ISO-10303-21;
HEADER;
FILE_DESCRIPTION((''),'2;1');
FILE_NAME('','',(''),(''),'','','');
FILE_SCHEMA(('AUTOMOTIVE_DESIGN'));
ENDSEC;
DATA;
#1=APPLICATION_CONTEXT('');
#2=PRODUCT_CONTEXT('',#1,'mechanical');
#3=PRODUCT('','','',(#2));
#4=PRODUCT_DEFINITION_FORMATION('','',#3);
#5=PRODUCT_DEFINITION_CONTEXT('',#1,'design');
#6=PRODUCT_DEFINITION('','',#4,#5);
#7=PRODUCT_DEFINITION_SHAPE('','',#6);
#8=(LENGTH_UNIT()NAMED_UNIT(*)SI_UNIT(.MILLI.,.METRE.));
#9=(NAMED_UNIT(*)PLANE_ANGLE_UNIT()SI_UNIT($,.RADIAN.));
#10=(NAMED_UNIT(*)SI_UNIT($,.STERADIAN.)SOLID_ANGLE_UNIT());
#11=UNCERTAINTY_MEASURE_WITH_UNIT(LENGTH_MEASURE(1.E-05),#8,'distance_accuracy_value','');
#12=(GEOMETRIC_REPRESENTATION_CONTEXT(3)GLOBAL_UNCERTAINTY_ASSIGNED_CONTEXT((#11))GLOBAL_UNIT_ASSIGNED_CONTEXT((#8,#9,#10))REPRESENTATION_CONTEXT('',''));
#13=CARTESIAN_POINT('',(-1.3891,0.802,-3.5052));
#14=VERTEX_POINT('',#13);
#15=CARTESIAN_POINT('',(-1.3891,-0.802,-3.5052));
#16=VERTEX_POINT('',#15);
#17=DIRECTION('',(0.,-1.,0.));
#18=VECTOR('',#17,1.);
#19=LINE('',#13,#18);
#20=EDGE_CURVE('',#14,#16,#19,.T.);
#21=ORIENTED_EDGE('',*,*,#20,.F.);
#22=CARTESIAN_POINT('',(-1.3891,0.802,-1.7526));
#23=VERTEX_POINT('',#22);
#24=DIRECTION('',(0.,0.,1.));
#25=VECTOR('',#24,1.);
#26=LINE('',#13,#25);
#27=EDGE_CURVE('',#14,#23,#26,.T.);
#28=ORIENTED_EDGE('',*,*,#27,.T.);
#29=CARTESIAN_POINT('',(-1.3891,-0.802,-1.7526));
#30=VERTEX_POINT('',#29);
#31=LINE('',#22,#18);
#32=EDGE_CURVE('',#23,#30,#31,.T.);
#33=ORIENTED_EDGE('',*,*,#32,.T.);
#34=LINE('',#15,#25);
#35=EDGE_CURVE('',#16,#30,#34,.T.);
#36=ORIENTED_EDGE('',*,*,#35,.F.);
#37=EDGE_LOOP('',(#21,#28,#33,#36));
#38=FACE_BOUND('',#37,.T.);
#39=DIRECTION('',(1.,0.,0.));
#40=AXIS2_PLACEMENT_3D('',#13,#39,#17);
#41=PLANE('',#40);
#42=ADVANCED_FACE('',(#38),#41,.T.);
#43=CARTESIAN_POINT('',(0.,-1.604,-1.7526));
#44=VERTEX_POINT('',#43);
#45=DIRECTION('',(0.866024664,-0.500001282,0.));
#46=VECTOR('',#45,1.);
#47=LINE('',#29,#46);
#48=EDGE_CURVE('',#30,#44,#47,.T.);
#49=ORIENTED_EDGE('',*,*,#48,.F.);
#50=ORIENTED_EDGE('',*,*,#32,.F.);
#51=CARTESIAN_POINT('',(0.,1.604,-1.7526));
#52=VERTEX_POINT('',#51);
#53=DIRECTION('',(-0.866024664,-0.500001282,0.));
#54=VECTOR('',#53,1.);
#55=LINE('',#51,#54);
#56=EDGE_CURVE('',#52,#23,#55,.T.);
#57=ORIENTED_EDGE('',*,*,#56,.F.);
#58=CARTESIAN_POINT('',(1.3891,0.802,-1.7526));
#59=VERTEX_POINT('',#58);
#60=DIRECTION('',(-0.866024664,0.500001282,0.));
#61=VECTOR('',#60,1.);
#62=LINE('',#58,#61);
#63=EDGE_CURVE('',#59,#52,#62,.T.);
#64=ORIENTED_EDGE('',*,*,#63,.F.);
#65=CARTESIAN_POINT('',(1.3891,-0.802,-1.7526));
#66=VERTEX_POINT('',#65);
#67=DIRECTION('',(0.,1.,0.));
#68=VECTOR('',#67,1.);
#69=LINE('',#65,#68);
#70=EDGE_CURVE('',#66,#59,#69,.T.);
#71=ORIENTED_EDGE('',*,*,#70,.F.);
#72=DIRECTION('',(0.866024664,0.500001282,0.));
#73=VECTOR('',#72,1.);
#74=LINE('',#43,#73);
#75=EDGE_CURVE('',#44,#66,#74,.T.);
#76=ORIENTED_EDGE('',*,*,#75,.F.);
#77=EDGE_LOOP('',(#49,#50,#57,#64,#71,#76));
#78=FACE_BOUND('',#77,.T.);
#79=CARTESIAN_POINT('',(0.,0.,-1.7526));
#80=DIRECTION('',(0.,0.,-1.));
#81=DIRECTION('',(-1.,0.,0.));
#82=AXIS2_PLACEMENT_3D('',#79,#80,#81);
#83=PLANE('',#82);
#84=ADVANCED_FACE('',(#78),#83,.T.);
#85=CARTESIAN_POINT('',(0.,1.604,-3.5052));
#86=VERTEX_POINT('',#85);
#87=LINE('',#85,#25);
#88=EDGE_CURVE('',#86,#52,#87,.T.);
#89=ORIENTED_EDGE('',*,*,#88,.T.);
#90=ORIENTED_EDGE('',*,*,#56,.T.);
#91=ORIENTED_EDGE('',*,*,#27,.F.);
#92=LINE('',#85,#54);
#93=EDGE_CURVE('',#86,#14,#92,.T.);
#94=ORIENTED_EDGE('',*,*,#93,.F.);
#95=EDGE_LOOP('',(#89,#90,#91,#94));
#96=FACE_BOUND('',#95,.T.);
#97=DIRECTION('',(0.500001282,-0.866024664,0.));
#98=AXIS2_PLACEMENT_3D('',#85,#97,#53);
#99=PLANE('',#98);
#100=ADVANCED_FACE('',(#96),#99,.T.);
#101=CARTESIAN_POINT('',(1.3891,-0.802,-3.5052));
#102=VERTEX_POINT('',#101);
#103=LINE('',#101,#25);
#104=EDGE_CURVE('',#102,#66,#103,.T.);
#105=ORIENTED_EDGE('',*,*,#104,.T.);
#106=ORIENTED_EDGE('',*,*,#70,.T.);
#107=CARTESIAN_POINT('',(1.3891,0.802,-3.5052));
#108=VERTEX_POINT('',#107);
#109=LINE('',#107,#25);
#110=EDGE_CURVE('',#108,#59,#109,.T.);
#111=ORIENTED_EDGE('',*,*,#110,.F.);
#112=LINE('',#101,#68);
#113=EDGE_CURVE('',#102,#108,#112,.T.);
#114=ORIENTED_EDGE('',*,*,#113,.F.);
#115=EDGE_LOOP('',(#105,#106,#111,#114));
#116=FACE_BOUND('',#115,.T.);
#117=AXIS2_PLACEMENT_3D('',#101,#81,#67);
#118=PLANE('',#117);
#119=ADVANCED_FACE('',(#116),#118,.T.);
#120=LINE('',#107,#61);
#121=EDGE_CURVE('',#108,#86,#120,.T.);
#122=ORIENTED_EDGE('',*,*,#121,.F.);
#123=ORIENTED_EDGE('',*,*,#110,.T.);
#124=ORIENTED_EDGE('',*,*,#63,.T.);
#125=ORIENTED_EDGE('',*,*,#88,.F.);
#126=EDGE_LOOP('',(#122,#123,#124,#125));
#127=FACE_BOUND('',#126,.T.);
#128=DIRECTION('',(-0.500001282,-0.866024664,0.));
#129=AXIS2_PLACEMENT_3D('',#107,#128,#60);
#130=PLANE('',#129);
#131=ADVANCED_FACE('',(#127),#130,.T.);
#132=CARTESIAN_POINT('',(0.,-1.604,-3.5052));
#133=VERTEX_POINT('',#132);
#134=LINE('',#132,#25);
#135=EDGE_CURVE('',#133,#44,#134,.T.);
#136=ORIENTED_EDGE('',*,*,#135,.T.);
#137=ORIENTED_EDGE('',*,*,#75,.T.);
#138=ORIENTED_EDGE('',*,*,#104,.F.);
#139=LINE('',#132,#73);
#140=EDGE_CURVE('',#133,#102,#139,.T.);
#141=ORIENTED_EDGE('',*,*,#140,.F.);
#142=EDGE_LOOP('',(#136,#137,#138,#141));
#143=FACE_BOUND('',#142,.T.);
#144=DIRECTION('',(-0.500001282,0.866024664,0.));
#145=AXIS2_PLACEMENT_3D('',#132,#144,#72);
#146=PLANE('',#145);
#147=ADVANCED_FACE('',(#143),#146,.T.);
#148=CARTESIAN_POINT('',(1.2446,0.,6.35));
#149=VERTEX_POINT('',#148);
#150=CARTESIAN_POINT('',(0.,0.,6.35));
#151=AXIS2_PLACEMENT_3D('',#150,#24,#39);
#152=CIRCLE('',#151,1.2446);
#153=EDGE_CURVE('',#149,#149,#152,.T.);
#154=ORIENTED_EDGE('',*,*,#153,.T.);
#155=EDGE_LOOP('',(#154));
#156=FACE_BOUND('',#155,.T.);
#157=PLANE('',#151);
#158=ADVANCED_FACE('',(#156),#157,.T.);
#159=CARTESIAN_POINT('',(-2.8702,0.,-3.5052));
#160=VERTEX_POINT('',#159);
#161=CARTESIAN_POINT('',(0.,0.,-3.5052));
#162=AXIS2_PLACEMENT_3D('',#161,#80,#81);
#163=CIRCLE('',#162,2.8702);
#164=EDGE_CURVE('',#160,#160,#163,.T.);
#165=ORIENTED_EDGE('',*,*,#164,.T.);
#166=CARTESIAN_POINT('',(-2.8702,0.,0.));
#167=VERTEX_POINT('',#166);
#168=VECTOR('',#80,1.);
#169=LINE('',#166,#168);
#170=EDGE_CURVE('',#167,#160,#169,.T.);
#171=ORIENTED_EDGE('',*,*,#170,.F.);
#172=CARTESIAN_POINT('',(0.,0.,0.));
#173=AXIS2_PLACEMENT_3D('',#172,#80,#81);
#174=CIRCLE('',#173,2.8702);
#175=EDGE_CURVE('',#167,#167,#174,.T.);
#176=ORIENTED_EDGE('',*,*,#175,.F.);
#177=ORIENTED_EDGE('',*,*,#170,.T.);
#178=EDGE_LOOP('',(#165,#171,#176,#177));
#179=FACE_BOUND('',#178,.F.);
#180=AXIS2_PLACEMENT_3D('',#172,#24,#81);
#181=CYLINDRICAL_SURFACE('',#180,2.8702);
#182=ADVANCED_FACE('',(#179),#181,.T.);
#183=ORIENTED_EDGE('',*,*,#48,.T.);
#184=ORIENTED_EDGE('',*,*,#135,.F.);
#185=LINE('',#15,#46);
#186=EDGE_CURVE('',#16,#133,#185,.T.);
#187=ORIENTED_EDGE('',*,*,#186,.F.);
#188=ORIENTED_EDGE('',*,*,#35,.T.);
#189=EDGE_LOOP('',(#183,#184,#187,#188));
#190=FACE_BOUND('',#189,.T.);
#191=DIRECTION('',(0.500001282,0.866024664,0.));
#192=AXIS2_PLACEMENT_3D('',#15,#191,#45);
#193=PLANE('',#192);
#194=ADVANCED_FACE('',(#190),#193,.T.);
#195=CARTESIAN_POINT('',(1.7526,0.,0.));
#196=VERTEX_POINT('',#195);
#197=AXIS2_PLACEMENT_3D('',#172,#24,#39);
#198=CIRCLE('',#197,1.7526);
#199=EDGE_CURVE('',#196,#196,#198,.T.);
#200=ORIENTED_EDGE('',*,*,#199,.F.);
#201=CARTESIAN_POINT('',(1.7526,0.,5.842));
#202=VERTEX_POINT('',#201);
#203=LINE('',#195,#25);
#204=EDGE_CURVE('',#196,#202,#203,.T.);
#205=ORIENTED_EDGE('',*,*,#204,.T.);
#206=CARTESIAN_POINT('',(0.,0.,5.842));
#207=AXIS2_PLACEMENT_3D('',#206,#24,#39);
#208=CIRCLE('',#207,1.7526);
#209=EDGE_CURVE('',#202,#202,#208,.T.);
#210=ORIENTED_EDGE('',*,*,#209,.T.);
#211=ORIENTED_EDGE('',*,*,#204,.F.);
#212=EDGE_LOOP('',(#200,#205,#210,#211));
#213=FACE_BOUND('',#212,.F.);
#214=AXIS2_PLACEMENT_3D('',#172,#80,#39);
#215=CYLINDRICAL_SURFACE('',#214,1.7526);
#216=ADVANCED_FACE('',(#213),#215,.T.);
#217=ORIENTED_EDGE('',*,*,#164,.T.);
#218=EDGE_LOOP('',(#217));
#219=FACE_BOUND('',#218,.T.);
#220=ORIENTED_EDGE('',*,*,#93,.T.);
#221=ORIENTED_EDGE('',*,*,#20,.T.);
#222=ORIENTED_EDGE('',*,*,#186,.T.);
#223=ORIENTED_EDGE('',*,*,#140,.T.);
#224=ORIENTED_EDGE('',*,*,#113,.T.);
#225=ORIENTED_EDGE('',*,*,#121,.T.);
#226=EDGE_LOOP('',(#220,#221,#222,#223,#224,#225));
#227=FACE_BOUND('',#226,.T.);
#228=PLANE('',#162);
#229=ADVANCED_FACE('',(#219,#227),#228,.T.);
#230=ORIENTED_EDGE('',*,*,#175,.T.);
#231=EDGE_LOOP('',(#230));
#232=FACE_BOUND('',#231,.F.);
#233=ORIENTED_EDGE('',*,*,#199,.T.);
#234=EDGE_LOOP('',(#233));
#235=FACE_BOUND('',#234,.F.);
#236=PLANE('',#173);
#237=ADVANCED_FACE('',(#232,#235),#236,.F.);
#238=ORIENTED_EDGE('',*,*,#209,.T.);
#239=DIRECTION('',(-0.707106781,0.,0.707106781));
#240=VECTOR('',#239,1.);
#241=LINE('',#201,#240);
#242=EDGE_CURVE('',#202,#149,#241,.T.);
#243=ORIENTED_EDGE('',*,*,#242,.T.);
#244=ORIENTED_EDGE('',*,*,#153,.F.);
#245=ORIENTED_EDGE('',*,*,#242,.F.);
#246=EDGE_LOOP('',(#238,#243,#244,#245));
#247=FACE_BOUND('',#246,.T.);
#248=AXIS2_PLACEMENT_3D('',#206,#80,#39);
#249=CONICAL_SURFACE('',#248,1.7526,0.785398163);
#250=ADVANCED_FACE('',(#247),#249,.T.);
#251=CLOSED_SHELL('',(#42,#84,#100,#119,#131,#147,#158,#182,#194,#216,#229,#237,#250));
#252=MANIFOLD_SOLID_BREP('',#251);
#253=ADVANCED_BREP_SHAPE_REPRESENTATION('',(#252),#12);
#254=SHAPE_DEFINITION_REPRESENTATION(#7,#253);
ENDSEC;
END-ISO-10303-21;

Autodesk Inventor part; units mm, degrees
ref_plane "YZ Plane" through (0, 0, 0) normal (1, 0, 0) x (0, 1, 0)
ref_plane "XZ Plane" through (0, 0, 0) normal (0, 1, 0) x (-1, 0, 0)
ref_plane "XY Plane" through (0, 0, 0) normal (0, 0, 1) x (1, 0, 0)
sketch "Sketch1" plane through (0, 0, 0) normal (0, 0, 1) x (1, 0, 0)
  circle A0 centre (0, 0) radius 1.7526
  dimension "d0" = 3.5052
extrude "Extrusion1" add sketch "Sketch1" along normal blind 6.35
sketch "Sketch2" plane through (0, 0, 0) normal (0, 0, -1) x (-1, 0, 0)
  circle A0 centre (0, 0) radius 1.7526 construction
  circle A1 centre (0, 0) radius 2.8702
  dimension "d3" = 5.7404
extrude "Extrusion2" add sketch "Sketch2" along normal blind 3.5052
sketch "Sketch3" plane through (0, 0, -3.5052) normal (0, 0, -1) x (-1, 0, 0)
  circle A0 centre (0, 0) radius 2.8702 projected
  line L0 (0, 1.604) -> (1.3891, 0.802)
  line L1 (1.3891, 0.802) -> (1.3891, -0.802)
  line L2 (1.3891, -0.802) -> (0, -1.604)
  line L3 (0, -1.604) -> (-1.3891, -0.802)
  line L4 (-1.3891, -0.802) -> (-1.3891, 0.802)
  line L5 (-1.3891, 0.802) -> (0, 1.604)
  dimension "d6" = 2.7781
extrude "Extrusion3" cut sketch "Sketch3" against normal blind 1.7526 contours L0 L1 L2 L3 L4 L5
thread "Thread1" size "6-32 UNC" class "2A" standard "ANSI Unified Screw Threads" full length
chamfer "Chamfer1" distance 0.508 angle 45 1 edges at (-1.7526, 0, 6.35)
properties part number "6-32 SHCS x500" material "Stainless Steel"
